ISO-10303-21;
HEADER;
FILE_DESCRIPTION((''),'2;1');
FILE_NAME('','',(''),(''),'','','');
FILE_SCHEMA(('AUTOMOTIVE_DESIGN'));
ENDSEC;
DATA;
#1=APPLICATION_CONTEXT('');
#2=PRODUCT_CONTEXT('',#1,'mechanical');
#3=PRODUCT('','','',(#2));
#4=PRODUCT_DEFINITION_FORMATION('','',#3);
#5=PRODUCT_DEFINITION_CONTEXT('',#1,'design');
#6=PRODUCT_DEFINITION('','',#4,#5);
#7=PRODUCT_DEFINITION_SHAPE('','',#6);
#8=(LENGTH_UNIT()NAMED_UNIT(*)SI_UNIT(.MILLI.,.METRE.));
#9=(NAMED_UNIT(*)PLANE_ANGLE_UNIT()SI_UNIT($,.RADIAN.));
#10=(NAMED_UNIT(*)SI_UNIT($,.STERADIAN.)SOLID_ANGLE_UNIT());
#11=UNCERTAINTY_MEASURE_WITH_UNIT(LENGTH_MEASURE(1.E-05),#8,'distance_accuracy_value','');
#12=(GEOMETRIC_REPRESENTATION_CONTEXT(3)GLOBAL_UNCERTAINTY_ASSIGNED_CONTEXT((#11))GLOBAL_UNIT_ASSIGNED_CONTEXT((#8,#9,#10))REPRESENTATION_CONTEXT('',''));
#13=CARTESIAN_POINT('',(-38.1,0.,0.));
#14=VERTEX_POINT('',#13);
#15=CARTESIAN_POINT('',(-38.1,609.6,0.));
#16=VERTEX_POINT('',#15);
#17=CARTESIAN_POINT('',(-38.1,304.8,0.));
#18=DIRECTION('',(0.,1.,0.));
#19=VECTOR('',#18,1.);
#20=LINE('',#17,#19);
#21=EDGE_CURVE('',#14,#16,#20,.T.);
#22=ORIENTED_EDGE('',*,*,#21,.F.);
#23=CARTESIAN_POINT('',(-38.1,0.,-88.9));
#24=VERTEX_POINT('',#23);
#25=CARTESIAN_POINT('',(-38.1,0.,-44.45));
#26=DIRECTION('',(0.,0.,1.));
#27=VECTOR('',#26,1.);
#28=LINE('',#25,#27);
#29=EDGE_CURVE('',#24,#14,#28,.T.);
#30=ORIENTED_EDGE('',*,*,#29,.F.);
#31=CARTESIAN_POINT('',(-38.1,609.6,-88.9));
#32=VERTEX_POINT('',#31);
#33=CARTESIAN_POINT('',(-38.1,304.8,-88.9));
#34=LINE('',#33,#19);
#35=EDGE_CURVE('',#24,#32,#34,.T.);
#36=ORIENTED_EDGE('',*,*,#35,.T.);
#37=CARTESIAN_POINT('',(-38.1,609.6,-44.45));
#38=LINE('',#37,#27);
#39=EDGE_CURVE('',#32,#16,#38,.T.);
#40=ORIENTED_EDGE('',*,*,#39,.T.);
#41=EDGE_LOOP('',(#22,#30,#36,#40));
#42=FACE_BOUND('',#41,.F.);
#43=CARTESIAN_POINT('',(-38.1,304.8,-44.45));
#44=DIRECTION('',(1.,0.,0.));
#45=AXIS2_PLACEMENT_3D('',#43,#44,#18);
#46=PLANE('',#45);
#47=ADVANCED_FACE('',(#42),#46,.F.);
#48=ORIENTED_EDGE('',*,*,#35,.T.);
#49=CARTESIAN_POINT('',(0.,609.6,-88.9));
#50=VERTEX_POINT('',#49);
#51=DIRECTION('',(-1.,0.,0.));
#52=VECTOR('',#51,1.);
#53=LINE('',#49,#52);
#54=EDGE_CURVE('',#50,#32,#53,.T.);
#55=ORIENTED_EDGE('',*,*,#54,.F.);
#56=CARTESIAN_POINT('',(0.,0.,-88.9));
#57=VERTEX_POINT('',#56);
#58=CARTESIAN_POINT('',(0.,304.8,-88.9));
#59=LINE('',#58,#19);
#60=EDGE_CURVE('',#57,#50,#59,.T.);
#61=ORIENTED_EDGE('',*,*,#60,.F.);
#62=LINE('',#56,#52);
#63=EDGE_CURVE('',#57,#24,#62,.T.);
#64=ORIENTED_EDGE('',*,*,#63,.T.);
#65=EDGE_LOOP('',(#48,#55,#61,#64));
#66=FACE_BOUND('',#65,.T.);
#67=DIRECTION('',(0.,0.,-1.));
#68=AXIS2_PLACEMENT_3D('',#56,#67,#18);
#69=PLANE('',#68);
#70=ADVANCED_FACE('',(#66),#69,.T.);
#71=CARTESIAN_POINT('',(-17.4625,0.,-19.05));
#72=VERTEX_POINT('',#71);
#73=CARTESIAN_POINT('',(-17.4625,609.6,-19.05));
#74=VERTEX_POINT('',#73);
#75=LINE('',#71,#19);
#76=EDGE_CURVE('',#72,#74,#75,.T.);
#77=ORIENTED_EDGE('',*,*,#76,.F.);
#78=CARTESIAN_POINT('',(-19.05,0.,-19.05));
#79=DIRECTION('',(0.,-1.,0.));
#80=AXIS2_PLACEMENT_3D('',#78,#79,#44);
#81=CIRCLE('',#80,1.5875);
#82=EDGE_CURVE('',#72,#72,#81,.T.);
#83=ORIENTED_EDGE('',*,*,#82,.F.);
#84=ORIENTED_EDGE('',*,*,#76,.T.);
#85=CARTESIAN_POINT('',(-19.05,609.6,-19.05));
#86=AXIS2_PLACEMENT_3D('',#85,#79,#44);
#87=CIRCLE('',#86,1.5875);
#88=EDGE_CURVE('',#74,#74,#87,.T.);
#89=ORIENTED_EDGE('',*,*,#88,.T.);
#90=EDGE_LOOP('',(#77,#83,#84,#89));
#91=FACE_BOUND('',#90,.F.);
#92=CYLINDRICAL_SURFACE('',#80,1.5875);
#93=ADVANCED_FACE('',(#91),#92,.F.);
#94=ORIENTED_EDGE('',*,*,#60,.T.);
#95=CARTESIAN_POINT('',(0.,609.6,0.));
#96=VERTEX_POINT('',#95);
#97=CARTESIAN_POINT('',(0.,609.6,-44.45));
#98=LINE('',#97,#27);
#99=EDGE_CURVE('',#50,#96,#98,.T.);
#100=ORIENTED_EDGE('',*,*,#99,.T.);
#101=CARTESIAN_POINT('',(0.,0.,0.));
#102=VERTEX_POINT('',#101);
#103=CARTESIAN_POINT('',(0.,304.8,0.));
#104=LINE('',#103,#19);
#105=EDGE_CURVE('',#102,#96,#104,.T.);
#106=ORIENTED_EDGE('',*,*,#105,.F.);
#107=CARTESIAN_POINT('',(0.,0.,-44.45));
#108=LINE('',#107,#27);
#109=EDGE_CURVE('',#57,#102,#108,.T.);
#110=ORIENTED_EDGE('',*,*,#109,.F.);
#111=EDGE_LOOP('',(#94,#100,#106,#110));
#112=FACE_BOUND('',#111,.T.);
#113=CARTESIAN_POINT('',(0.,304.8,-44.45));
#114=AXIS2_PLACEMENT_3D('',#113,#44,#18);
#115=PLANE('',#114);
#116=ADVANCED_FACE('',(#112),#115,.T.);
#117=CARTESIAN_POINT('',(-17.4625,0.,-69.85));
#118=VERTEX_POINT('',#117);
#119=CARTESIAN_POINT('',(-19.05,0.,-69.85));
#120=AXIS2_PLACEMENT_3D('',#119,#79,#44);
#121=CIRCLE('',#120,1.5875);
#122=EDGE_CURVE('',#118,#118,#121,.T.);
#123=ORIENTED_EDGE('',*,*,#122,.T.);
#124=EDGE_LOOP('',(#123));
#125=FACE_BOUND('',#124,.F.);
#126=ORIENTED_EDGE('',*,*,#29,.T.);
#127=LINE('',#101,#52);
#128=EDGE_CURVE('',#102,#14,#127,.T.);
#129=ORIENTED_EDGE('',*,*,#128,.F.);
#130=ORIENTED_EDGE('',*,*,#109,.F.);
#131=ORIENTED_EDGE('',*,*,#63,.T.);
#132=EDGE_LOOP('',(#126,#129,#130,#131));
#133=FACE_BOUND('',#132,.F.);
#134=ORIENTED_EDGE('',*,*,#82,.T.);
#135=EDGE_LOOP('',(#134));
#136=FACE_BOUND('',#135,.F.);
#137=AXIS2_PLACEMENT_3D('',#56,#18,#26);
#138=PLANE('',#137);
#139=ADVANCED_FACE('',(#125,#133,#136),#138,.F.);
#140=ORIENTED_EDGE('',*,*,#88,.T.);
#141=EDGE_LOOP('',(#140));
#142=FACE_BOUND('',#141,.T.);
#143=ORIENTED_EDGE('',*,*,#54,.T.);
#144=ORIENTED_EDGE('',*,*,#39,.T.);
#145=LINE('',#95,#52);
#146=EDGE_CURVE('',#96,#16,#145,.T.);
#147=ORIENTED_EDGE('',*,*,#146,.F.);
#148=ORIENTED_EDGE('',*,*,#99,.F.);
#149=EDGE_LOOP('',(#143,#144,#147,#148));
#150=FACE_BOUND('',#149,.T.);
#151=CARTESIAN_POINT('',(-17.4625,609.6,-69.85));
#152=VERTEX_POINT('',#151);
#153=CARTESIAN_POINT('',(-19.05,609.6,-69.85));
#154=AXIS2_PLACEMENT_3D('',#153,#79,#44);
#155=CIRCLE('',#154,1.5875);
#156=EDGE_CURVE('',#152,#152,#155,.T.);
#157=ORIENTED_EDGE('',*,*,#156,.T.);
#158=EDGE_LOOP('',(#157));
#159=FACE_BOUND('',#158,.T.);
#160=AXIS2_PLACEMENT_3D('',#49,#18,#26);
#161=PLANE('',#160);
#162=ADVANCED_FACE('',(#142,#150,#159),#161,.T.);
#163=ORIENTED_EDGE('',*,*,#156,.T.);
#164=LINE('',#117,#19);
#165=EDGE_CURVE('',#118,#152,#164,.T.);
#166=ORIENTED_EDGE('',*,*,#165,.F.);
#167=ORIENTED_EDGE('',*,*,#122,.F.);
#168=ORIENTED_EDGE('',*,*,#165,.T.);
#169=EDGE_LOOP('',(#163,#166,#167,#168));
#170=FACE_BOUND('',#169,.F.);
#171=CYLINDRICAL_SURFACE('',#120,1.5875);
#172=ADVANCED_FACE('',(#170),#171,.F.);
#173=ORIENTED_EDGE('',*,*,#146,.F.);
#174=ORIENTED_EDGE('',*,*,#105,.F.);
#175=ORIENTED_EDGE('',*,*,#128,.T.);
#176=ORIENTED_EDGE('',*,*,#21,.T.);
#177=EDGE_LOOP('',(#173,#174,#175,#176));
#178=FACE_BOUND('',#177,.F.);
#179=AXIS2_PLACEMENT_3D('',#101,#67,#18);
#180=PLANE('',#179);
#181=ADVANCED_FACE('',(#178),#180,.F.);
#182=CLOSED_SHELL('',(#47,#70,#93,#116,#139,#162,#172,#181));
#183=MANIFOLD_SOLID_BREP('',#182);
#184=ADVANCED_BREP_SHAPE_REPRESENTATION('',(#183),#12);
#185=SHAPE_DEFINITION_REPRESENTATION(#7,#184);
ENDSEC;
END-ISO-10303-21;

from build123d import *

# Parameters (mm, degrees)
F0_W     = 609.6
F0_H     = 88.9
F1_DEPTH = 38.1
F2_R     = 1.5875
F3_DEPTH = 609.601


with BuildPart() as f1:
    # F0 (on Right) → F1 (new body)
    with BuildSketch(Plane.YZ):
        with Locations((304.8, -44.45)):
            Rectangle(F0_W, F0_H)
    extrude(amount=-F1_DEPTH)

    # F2 (on Front) → F3 (cut, through all)
    with BuildSketch(Plane.XZ):
        with Locations((-19.05, -19.05)):
            Circle(F2_R)
        with Locations((-19.05, -69.85)):
            Circle(F2_R)
    extrude(amount=-F3_DEPTH, mode=Mode.SUBTRACT)


solid = f1.part
